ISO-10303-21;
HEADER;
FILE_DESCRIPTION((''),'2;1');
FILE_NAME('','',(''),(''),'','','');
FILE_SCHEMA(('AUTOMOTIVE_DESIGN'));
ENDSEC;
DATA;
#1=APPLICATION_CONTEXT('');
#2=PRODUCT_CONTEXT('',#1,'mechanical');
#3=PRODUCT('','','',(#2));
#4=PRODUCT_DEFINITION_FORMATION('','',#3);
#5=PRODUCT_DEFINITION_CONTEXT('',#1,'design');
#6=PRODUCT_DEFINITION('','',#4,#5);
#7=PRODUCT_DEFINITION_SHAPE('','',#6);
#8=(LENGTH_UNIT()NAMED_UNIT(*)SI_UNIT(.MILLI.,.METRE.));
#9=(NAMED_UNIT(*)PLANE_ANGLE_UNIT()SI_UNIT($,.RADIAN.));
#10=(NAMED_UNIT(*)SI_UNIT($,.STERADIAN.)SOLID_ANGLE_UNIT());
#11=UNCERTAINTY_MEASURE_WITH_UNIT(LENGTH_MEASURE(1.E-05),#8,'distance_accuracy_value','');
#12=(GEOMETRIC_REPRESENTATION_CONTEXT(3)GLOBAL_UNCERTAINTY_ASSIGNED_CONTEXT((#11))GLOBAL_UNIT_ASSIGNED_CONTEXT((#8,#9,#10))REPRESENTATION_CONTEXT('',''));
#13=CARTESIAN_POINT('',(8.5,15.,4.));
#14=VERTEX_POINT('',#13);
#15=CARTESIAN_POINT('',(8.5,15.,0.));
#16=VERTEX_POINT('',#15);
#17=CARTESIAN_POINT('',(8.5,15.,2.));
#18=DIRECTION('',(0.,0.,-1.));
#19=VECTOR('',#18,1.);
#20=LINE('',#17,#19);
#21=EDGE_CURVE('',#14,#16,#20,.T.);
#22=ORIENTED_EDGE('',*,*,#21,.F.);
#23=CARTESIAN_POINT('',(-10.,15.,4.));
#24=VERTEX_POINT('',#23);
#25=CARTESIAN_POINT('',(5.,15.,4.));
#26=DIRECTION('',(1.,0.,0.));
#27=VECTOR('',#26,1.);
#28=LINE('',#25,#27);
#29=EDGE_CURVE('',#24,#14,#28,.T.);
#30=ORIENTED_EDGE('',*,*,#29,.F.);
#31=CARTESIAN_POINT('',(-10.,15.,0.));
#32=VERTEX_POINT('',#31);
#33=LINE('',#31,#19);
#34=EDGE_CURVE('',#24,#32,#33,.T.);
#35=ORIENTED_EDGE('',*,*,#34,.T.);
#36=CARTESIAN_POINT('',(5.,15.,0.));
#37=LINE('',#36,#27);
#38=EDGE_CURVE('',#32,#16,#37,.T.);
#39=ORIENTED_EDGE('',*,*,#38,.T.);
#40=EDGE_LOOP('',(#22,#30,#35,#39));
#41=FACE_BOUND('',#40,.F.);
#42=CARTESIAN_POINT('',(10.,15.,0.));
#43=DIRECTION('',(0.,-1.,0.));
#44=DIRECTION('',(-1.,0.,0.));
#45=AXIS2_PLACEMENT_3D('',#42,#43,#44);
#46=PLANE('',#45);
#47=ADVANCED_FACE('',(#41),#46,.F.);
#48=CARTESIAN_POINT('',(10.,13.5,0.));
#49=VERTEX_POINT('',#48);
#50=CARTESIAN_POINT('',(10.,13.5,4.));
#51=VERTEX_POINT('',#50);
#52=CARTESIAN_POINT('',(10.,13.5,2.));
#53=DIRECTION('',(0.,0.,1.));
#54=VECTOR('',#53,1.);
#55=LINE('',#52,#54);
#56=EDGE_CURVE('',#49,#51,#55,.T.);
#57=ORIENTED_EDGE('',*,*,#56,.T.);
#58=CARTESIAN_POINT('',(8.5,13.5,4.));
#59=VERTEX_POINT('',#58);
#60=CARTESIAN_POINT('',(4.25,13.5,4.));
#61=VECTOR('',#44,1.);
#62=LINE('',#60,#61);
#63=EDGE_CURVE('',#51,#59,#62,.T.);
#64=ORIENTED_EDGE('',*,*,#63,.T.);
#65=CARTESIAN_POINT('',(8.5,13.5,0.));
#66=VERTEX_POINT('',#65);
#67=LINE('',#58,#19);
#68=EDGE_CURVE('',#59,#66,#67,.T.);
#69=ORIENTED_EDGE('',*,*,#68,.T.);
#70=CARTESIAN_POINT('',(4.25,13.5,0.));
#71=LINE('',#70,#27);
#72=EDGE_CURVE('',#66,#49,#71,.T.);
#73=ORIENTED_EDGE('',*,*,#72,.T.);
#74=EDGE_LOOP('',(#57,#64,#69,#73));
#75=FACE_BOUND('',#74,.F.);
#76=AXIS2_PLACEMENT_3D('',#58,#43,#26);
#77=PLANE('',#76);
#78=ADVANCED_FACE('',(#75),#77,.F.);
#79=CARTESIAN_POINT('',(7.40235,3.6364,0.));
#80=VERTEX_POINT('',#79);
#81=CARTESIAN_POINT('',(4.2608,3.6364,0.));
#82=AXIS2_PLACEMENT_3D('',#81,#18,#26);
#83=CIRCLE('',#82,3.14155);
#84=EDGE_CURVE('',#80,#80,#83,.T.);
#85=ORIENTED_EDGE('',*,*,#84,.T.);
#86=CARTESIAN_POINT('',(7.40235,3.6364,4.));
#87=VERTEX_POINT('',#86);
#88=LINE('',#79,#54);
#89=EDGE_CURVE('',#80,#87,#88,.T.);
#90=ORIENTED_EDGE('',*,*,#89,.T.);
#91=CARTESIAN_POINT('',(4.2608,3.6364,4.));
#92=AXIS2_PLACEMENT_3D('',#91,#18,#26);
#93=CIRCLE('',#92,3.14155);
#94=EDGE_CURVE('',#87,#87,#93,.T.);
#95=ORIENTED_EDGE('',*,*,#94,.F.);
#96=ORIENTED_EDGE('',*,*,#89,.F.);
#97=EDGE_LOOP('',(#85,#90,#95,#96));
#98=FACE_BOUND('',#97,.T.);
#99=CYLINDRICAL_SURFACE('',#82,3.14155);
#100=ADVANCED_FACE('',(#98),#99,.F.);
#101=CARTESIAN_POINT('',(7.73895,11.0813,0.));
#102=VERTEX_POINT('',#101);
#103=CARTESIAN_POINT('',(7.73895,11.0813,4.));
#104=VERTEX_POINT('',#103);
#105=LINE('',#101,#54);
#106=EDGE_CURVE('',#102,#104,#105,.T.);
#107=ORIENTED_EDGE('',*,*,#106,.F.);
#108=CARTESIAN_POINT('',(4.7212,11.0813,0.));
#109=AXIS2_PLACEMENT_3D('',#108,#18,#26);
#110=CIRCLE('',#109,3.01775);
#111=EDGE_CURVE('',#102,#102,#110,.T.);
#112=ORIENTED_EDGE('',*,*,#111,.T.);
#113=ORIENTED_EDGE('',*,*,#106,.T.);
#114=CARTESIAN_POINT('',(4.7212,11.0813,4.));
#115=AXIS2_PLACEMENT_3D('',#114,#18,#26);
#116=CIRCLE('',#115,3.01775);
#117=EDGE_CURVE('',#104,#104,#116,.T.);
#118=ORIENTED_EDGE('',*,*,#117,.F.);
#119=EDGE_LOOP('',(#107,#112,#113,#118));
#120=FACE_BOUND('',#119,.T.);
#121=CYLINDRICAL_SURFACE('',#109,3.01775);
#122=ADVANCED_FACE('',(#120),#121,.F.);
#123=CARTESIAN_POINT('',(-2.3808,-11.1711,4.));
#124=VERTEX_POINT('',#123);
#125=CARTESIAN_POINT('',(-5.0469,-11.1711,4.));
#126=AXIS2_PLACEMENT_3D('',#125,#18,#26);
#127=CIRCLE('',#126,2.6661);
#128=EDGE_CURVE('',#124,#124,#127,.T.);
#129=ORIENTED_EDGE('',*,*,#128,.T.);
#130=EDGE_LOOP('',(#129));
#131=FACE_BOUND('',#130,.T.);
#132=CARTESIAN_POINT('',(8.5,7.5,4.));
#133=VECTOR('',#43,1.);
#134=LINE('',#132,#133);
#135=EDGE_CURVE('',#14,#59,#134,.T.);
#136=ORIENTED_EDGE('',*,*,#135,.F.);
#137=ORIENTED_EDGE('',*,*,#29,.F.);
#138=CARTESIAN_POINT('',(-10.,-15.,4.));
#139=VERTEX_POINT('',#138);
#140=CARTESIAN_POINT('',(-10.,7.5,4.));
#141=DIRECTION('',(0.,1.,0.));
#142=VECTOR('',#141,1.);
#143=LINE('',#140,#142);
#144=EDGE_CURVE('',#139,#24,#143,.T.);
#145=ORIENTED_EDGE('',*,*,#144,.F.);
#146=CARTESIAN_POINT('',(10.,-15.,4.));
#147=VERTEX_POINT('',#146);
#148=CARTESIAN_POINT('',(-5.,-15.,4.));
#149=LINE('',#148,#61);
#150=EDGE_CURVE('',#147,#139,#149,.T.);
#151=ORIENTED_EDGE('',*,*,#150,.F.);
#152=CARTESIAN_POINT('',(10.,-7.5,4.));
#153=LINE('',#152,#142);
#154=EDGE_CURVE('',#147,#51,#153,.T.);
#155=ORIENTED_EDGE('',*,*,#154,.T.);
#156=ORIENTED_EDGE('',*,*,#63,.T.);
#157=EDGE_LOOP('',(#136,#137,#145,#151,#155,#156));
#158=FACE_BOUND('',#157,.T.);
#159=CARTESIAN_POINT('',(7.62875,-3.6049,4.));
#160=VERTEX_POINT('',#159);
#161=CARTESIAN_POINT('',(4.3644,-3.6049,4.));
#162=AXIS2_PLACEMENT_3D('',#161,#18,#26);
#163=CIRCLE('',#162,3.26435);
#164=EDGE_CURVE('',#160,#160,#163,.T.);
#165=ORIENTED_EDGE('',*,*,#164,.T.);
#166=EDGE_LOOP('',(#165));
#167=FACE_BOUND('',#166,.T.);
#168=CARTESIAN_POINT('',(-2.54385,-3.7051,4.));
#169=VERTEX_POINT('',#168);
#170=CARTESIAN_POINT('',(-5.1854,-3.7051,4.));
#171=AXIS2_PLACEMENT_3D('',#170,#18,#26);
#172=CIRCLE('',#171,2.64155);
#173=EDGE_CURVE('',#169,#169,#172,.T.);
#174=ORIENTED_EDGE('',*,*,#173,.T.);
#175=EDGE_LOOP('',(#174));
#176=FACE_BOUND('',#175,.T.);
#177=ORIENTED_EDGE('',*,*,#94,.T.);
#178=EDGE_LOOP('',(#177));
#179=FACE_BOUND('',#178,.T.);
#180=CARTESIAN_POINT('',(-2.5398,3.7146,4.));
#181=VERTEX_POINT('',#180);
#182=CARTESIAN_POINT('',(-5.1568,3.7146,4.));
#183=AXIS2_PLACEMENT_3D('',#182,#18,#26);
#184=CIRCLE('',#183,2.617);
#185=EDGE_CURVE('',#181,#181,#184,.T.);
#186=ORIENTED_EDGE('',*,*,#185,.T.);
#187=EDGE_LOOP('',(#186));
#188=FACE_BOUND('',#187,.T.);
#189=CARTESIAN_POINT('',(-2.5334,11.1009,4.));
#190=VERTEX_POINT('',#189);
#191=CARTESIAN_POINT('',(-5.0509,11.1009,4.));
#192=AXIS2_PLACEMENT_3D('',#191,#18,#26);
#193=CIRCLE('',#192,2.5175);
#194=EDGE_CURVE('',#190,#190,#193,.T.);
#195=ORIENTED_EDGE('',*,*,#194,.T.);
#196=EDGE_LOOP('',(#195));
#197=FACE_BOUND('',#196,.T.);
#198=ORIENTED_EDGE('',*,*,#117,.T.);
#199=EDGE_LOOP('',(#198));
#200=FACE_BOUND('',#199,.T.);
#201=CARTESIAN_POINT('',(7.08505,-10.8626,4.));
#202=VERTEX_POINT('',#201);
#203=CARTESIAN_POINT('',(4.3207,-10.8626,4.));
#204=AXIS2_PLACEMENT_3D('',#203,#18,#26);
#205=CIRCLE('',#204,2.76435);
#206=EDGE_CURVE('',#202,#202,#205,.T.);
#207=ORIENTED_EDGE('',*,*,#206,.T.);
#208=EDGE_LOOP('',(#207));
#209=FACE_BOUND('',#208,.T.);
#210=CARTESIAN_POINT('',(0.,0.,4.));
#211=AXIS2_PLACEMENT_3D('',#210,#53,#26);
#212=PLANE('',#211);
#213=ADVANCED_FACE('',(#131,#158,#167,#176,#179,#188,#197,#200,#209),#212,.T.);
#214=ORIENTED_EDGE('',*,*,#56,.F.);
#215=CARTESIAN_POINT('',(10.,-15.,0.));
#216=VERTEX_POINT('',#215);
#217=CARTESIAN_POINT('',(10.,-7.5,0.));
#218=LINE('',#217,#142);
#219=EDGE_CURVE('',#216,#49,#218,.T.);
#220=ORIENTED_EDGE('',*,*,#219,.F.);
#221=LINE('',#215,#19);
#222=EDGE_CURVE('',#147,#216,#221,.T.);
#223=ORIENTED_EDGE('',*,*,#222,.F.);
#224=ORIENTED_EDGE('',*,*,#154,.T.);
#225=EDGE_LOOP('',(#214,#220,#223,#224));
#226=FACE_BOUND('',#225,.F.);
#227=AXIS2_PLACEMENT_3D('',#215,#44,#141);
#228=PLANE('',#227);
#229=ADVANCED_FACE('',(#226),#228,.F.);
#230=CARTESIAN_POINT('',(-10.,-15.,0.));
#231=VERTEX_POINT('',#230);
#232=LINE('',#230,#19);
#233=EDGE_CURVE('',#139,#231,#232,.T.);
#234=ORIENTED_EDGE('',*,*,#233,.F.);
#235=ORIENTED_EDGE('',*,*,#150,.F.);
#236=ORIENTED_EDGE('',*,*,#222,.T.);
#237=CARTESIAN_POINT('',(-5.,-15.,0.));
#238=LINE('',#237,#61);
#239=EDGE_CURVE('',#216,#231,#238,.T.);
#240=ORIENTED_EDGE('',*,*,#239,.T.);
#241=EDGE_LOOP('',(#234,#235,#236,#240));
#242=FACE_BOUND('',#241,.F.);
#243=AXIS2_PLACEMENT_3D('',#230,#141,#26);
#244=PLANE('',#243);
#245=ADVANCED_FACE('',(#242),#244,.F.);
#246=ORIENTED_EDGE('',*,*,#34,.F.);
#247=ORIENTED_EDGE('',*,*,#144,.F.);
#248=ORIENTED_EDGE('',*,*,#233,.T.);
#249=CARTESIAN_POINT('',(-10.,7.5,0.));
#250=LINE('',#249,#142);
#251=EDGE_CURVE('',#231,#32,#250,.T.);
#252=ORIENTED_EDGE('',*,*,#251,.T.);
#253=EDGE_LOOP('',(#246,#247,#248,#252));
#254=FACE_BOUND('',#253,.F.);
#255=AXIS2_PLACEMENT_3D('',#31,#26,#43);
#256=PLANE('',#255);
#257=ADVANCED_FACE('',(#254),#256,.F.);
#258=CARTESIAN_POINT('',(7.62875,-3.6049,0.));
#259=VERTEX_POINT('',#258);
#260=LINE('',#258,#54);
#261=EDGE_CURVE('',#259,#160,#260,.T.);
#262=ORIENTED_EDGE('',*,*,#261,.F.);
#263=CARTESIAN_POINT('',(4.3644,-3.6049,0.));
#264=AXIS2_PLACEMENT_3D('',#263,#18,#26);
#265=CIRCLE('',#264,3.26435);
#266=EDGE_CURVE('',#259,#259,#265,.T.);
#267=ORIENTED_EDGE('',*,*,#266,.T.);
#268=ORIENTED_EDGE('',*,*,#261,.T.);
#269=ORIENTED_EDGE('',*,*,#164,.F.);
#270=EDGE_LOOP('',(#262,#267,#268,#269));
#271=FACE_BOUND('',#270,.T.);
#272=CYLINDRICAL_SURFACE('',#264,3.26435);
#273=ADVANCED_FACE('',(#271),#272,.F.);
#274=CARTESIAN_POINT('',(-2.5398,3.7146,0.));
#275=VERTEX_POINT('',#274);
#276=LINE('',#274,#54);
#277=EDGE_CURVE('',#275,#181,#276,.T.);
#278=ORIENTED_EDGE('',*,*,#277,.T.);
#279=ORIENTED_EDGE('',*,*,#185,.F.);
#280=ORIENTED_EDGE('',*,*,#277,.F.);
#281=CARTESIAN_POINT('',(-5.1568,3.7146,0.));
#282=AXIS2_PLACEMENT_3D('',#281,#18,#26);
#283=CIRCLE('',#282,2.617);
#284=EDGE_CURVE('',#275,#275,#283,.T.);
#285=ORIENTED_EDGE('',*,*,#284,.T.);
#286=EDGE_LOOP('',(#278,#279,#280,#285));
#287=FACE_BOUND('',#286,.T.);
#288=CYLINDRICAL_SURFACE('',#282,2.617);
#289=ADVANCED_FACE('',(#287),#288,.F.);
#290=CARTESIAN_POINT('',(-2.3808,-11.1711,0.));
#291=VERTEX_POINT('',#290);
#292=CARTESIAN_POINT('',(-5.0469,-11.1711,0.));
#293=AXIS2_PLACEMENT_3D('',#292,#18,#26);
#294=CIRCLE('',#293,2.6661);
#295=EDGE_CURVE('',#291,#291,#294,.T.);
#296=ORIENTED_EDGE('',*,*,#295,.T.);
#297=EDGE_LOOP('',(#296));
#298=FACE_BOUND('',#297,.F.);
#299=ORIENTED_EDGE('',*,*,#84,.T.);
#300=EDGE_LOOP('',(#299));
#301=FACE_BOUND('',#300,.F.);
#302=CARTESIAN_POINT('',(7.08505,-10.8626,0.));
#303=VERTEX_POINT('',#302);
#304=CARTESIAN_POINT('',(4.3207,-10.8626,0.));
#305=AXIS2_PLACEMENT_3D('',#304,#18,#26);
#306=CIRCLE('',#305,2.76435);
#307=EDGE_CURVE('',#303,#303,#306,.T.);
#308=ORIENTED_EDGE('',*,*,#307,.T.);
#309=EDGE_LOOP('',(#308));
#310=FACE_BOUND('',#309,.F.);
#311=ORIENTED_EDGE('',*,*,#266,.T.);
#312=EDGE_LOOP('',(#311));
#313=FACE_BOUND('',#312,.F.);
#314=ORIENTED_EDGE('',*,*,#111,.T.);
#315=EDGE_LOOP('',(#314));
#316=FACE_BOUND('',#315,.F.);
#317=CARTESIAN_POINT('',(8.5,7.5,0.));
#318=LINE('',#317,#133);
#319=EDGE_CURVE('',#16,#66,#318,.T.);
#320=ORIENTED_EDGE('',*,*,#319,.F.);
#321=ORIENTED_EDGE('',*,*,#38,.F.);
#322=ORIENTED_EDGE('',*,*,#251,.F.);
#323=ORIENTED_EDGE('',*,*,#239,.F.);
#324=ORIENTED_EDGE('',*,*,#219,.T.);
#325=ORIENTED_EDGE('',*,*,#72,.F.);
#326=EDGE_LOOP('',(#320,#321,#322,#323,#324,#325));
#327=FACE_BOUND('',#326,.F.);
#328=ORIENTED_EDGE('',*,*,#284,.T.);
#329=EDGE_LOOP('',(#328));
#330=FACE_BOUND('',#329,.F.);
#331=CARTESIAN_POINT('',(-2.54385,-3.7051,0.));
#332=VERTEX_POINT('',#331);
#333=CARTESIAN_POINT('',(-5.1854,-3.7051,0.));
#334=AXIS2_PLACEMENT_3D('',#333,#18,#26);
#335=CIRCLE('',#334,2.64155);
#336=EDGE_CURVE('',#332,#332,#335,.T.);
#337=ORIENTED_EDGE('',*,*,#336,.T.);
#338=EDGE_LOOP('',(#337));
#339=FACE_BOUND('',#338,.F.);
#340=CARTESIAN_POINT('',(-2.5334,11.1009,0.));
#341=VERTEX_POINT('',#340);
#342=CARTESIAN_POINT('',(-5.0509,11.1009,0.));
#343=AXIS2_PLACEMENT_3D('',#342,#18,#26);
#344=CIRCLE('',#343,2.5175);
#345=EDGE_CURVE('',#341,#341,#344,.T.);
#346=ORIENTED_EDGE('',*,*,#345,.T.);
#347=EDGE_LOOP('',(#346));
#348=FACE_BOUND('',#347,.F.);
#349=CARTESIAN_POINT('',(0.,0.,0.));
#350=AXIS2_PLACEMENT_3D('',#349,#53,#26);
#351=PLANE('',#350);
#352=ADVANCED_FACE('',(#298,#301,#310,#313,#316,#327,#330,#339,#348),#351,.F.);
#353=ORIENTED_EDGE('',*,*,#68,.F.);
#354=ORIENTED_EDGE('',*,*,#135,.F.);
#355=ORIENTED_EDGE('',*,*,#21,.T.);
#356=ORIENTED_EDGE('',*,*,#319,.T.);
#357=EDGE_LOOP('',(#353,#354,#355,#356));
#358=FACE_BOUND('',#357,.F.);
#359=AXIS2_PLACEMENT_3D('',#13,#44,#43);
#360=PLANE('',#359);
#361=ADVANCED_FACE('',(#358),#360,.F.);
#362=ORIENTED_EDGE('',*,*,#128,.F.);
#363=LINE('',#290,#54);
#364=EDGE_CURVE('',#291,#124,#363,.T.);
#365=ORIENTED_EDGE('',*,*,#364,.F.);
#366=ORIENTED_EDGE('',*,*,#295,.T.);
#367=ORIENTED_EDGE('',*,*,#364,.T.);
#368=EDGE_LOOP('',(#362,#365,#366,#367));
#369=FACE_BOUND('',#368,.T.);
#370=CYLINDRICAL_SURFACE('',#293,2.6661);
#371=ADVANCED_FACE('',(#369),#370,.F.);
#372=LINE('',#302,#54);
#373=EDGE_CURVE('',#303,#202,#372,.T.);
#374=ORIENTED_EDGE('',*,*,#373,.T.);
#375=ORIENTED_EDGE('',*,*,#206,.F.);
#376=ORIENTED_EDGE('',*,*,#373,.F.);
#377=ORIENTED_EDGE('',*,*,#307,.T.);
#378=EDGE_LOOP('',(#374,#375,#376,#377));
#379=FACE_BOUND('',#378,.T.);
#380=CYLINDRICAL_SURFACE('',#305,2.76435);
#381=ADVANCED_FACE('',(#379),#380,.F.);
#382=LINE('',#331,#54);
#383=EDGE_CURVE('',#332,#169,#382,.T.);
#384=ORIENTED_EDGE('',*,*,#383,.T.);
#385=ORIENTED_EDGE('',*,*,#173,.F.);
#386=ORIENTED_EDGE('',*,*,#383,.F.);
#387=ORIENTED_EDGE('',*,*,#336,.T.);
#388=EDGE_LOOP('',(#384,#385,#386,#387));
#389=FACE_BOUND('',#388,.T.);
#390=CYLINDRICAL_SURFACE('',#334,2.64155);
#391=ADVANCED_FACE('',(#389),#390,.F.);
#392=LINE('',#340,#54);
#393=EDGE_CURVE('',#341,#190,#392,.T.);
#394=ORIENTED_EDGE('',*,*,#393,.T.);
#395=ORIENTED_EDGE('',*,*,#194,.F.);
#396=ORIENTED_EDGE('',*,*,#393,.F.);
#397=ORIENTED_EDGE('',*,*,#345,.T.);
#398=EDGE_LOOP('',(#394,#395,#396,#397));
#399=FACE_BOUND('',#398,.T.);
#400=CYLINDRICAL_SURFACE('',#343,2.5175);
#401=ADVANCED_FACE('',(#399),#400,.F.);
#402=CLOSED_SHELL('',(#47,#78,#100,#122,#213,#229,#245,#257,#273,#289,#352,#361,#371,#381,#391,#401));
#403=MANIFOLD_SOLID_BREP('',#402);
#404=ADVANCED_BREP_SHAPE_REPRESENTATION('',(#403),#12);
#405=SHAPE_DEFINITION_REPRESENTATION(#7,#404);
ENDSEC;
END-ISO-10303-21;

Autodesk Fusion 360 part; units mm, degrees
sketch "Sketch3" plane through (0, 0, 0) normal (0, 0, 1) x (1, 0, 0)
  line L0 (10, 15) -> (-10, 15)
  line L1 (-10, 15) -> (-10, -15)
  line L2 (-10, -15) -> (10, -15)
  line L3 (10, -15) -> (10, 15)
  line L4 (10, 15) -> (-10, -15) construction
  line L5 (-10, 15) -> (10, -15) construction
  circle A0 centre (-5.1854, -3.7051) radius 3.5
  circle A1 centre (4.3644, -3.6049) radius 3.5
  circle A2 centre (-5.0469, -11.1711) radius 3.5
  circle A3 centre (4.3207, -10.8626) radius 3.5
  circle A4 centre (-5.1568, 3.7146) radius 3.5
  circle A5 centre (4.2608, 3.6364) radius 3.5
  circle A6 centre (-5.0509, 11.1009) radius 3.5
  circle A7 centre (4.7212, 11.0813) radius 3.5
  dimension "d22" = 20
  dimension "d23" = 30
  dimension "d24" = 7
  dimension "d25" = 7
  dimension "d26" = 7
  dimension "d27" = 7
  dimension "d34" = 7
  dimension "d35" = 7
  dimension "d36" = 7
  dimension "d37" = 7
extrude "Extrude6" add sketch "Sketch3" along normal blind 4
sketch "Sketch5" plane through (0, 0, 4) normal (0, 0, 1) x (-1, 0, 0)
  circle A0 centre (5.1854, 3.7051) radius 3.5
  circle A1 centre (5.0469, 11.1711) radius 3.5
  circle A2 centre (-4.3644, 3.6049) radius 3.5
  circle A3 centre (-4.3207, 10.8626) radius 3.5
  circle A4 centre (5.1568, -3.7146) radius 3.5
  circle A5 centre (-4.2608, -3.6364) radius 3.5
  circle A6 centre (5.0509, -11.1009) radius 3.5
  circle A7 centre (-4.7212, -11.0813) radius 3.5
  line L0 (-10, 15) -> (-10, -15)
  line L1 (-10, -15) -> (10, -15)
  line L2 (10, -15) -> (10, 15)
  line L3 (10, 15) -> (-10, 15)
  line L4 (-10, -15) -> (-8.5, -15)
  line L5 (-8.5, -15) -> (-8.5, -13.5)
  line L6 (-8.5, -13.5) -> (-10, -13.5)
  line L7 (-10, -13.5) -> (-10, -15)
  dimension "d40" = 1.5
  dimension "d41" = 1.5
extrude "Extrude7" cut sketch "Sketch5" against normal blind 4 contours L0 L1 L4 L5 L6 L7
thread "Thread6" "ISO Metric profile 6.0 M6x1 6H" major diameter 6.147 minor diameter 5.035 pitch 1 angle 60 resizes the face on face at (-1.5553, 10.9264, 2.6667)
thread "Thread7" "ISO Metric profile 6.0 M6x0.8 6H" major diameter 6.1107 minor diameter 5.234 pitch 0.8 angle 60 resizes the face on face at (-1.6611, 3.8891, 1.3333)
thread "Thread8" "ISO Metric profile 6.0 M6x0.75 6H" major diameter 6.1201 minor diameter 5.2831 pitch 0.75 angle 60 resizes the face on face at (-1.6898, -3.5307, 1.3333)
thread "Thread9" "ISO Metric profile 6.0 M6x0.7 6H" major diameter 6.1132 minor diameter 5.3322 pitch 0.7 angle 60 resizes the face on face at (-1.5513, -10.9966, 1.3333)
thread "Thread10" "ISO Metric profile 7.0 M7x1 6H" major diameter 7.1472 minor diameter 6.0355 pitch 1 angle 60 resizes the face on face at (8.2169, 11.2557, 1.3333)
thread "Thread11" "ISO Metric profile 7.0 M7x0.75 6H" major diameter 7.1201 minor diameter 6.2831 pitch 0.75 angle 60 resizes the face on face at (7.7565, 3.8108, 1.3333)
thread "Thread12" "ISO Metric profile 7.0 M7x0.5 6H" major diameter 7.0922 minor diameter 6.5287 pitch 0.5 angle 60 resizes the face on face at (7.86, -3.4304, 1.3333)
thread "Thread13" "ISO Metric profile 6.0 M6x0.5 6H" major diameter 6.0922 minor diameter 5.5287 pitch 0.5 angle 60 resizes the face on face at (7.8163, -10.6881, 1.3333)
